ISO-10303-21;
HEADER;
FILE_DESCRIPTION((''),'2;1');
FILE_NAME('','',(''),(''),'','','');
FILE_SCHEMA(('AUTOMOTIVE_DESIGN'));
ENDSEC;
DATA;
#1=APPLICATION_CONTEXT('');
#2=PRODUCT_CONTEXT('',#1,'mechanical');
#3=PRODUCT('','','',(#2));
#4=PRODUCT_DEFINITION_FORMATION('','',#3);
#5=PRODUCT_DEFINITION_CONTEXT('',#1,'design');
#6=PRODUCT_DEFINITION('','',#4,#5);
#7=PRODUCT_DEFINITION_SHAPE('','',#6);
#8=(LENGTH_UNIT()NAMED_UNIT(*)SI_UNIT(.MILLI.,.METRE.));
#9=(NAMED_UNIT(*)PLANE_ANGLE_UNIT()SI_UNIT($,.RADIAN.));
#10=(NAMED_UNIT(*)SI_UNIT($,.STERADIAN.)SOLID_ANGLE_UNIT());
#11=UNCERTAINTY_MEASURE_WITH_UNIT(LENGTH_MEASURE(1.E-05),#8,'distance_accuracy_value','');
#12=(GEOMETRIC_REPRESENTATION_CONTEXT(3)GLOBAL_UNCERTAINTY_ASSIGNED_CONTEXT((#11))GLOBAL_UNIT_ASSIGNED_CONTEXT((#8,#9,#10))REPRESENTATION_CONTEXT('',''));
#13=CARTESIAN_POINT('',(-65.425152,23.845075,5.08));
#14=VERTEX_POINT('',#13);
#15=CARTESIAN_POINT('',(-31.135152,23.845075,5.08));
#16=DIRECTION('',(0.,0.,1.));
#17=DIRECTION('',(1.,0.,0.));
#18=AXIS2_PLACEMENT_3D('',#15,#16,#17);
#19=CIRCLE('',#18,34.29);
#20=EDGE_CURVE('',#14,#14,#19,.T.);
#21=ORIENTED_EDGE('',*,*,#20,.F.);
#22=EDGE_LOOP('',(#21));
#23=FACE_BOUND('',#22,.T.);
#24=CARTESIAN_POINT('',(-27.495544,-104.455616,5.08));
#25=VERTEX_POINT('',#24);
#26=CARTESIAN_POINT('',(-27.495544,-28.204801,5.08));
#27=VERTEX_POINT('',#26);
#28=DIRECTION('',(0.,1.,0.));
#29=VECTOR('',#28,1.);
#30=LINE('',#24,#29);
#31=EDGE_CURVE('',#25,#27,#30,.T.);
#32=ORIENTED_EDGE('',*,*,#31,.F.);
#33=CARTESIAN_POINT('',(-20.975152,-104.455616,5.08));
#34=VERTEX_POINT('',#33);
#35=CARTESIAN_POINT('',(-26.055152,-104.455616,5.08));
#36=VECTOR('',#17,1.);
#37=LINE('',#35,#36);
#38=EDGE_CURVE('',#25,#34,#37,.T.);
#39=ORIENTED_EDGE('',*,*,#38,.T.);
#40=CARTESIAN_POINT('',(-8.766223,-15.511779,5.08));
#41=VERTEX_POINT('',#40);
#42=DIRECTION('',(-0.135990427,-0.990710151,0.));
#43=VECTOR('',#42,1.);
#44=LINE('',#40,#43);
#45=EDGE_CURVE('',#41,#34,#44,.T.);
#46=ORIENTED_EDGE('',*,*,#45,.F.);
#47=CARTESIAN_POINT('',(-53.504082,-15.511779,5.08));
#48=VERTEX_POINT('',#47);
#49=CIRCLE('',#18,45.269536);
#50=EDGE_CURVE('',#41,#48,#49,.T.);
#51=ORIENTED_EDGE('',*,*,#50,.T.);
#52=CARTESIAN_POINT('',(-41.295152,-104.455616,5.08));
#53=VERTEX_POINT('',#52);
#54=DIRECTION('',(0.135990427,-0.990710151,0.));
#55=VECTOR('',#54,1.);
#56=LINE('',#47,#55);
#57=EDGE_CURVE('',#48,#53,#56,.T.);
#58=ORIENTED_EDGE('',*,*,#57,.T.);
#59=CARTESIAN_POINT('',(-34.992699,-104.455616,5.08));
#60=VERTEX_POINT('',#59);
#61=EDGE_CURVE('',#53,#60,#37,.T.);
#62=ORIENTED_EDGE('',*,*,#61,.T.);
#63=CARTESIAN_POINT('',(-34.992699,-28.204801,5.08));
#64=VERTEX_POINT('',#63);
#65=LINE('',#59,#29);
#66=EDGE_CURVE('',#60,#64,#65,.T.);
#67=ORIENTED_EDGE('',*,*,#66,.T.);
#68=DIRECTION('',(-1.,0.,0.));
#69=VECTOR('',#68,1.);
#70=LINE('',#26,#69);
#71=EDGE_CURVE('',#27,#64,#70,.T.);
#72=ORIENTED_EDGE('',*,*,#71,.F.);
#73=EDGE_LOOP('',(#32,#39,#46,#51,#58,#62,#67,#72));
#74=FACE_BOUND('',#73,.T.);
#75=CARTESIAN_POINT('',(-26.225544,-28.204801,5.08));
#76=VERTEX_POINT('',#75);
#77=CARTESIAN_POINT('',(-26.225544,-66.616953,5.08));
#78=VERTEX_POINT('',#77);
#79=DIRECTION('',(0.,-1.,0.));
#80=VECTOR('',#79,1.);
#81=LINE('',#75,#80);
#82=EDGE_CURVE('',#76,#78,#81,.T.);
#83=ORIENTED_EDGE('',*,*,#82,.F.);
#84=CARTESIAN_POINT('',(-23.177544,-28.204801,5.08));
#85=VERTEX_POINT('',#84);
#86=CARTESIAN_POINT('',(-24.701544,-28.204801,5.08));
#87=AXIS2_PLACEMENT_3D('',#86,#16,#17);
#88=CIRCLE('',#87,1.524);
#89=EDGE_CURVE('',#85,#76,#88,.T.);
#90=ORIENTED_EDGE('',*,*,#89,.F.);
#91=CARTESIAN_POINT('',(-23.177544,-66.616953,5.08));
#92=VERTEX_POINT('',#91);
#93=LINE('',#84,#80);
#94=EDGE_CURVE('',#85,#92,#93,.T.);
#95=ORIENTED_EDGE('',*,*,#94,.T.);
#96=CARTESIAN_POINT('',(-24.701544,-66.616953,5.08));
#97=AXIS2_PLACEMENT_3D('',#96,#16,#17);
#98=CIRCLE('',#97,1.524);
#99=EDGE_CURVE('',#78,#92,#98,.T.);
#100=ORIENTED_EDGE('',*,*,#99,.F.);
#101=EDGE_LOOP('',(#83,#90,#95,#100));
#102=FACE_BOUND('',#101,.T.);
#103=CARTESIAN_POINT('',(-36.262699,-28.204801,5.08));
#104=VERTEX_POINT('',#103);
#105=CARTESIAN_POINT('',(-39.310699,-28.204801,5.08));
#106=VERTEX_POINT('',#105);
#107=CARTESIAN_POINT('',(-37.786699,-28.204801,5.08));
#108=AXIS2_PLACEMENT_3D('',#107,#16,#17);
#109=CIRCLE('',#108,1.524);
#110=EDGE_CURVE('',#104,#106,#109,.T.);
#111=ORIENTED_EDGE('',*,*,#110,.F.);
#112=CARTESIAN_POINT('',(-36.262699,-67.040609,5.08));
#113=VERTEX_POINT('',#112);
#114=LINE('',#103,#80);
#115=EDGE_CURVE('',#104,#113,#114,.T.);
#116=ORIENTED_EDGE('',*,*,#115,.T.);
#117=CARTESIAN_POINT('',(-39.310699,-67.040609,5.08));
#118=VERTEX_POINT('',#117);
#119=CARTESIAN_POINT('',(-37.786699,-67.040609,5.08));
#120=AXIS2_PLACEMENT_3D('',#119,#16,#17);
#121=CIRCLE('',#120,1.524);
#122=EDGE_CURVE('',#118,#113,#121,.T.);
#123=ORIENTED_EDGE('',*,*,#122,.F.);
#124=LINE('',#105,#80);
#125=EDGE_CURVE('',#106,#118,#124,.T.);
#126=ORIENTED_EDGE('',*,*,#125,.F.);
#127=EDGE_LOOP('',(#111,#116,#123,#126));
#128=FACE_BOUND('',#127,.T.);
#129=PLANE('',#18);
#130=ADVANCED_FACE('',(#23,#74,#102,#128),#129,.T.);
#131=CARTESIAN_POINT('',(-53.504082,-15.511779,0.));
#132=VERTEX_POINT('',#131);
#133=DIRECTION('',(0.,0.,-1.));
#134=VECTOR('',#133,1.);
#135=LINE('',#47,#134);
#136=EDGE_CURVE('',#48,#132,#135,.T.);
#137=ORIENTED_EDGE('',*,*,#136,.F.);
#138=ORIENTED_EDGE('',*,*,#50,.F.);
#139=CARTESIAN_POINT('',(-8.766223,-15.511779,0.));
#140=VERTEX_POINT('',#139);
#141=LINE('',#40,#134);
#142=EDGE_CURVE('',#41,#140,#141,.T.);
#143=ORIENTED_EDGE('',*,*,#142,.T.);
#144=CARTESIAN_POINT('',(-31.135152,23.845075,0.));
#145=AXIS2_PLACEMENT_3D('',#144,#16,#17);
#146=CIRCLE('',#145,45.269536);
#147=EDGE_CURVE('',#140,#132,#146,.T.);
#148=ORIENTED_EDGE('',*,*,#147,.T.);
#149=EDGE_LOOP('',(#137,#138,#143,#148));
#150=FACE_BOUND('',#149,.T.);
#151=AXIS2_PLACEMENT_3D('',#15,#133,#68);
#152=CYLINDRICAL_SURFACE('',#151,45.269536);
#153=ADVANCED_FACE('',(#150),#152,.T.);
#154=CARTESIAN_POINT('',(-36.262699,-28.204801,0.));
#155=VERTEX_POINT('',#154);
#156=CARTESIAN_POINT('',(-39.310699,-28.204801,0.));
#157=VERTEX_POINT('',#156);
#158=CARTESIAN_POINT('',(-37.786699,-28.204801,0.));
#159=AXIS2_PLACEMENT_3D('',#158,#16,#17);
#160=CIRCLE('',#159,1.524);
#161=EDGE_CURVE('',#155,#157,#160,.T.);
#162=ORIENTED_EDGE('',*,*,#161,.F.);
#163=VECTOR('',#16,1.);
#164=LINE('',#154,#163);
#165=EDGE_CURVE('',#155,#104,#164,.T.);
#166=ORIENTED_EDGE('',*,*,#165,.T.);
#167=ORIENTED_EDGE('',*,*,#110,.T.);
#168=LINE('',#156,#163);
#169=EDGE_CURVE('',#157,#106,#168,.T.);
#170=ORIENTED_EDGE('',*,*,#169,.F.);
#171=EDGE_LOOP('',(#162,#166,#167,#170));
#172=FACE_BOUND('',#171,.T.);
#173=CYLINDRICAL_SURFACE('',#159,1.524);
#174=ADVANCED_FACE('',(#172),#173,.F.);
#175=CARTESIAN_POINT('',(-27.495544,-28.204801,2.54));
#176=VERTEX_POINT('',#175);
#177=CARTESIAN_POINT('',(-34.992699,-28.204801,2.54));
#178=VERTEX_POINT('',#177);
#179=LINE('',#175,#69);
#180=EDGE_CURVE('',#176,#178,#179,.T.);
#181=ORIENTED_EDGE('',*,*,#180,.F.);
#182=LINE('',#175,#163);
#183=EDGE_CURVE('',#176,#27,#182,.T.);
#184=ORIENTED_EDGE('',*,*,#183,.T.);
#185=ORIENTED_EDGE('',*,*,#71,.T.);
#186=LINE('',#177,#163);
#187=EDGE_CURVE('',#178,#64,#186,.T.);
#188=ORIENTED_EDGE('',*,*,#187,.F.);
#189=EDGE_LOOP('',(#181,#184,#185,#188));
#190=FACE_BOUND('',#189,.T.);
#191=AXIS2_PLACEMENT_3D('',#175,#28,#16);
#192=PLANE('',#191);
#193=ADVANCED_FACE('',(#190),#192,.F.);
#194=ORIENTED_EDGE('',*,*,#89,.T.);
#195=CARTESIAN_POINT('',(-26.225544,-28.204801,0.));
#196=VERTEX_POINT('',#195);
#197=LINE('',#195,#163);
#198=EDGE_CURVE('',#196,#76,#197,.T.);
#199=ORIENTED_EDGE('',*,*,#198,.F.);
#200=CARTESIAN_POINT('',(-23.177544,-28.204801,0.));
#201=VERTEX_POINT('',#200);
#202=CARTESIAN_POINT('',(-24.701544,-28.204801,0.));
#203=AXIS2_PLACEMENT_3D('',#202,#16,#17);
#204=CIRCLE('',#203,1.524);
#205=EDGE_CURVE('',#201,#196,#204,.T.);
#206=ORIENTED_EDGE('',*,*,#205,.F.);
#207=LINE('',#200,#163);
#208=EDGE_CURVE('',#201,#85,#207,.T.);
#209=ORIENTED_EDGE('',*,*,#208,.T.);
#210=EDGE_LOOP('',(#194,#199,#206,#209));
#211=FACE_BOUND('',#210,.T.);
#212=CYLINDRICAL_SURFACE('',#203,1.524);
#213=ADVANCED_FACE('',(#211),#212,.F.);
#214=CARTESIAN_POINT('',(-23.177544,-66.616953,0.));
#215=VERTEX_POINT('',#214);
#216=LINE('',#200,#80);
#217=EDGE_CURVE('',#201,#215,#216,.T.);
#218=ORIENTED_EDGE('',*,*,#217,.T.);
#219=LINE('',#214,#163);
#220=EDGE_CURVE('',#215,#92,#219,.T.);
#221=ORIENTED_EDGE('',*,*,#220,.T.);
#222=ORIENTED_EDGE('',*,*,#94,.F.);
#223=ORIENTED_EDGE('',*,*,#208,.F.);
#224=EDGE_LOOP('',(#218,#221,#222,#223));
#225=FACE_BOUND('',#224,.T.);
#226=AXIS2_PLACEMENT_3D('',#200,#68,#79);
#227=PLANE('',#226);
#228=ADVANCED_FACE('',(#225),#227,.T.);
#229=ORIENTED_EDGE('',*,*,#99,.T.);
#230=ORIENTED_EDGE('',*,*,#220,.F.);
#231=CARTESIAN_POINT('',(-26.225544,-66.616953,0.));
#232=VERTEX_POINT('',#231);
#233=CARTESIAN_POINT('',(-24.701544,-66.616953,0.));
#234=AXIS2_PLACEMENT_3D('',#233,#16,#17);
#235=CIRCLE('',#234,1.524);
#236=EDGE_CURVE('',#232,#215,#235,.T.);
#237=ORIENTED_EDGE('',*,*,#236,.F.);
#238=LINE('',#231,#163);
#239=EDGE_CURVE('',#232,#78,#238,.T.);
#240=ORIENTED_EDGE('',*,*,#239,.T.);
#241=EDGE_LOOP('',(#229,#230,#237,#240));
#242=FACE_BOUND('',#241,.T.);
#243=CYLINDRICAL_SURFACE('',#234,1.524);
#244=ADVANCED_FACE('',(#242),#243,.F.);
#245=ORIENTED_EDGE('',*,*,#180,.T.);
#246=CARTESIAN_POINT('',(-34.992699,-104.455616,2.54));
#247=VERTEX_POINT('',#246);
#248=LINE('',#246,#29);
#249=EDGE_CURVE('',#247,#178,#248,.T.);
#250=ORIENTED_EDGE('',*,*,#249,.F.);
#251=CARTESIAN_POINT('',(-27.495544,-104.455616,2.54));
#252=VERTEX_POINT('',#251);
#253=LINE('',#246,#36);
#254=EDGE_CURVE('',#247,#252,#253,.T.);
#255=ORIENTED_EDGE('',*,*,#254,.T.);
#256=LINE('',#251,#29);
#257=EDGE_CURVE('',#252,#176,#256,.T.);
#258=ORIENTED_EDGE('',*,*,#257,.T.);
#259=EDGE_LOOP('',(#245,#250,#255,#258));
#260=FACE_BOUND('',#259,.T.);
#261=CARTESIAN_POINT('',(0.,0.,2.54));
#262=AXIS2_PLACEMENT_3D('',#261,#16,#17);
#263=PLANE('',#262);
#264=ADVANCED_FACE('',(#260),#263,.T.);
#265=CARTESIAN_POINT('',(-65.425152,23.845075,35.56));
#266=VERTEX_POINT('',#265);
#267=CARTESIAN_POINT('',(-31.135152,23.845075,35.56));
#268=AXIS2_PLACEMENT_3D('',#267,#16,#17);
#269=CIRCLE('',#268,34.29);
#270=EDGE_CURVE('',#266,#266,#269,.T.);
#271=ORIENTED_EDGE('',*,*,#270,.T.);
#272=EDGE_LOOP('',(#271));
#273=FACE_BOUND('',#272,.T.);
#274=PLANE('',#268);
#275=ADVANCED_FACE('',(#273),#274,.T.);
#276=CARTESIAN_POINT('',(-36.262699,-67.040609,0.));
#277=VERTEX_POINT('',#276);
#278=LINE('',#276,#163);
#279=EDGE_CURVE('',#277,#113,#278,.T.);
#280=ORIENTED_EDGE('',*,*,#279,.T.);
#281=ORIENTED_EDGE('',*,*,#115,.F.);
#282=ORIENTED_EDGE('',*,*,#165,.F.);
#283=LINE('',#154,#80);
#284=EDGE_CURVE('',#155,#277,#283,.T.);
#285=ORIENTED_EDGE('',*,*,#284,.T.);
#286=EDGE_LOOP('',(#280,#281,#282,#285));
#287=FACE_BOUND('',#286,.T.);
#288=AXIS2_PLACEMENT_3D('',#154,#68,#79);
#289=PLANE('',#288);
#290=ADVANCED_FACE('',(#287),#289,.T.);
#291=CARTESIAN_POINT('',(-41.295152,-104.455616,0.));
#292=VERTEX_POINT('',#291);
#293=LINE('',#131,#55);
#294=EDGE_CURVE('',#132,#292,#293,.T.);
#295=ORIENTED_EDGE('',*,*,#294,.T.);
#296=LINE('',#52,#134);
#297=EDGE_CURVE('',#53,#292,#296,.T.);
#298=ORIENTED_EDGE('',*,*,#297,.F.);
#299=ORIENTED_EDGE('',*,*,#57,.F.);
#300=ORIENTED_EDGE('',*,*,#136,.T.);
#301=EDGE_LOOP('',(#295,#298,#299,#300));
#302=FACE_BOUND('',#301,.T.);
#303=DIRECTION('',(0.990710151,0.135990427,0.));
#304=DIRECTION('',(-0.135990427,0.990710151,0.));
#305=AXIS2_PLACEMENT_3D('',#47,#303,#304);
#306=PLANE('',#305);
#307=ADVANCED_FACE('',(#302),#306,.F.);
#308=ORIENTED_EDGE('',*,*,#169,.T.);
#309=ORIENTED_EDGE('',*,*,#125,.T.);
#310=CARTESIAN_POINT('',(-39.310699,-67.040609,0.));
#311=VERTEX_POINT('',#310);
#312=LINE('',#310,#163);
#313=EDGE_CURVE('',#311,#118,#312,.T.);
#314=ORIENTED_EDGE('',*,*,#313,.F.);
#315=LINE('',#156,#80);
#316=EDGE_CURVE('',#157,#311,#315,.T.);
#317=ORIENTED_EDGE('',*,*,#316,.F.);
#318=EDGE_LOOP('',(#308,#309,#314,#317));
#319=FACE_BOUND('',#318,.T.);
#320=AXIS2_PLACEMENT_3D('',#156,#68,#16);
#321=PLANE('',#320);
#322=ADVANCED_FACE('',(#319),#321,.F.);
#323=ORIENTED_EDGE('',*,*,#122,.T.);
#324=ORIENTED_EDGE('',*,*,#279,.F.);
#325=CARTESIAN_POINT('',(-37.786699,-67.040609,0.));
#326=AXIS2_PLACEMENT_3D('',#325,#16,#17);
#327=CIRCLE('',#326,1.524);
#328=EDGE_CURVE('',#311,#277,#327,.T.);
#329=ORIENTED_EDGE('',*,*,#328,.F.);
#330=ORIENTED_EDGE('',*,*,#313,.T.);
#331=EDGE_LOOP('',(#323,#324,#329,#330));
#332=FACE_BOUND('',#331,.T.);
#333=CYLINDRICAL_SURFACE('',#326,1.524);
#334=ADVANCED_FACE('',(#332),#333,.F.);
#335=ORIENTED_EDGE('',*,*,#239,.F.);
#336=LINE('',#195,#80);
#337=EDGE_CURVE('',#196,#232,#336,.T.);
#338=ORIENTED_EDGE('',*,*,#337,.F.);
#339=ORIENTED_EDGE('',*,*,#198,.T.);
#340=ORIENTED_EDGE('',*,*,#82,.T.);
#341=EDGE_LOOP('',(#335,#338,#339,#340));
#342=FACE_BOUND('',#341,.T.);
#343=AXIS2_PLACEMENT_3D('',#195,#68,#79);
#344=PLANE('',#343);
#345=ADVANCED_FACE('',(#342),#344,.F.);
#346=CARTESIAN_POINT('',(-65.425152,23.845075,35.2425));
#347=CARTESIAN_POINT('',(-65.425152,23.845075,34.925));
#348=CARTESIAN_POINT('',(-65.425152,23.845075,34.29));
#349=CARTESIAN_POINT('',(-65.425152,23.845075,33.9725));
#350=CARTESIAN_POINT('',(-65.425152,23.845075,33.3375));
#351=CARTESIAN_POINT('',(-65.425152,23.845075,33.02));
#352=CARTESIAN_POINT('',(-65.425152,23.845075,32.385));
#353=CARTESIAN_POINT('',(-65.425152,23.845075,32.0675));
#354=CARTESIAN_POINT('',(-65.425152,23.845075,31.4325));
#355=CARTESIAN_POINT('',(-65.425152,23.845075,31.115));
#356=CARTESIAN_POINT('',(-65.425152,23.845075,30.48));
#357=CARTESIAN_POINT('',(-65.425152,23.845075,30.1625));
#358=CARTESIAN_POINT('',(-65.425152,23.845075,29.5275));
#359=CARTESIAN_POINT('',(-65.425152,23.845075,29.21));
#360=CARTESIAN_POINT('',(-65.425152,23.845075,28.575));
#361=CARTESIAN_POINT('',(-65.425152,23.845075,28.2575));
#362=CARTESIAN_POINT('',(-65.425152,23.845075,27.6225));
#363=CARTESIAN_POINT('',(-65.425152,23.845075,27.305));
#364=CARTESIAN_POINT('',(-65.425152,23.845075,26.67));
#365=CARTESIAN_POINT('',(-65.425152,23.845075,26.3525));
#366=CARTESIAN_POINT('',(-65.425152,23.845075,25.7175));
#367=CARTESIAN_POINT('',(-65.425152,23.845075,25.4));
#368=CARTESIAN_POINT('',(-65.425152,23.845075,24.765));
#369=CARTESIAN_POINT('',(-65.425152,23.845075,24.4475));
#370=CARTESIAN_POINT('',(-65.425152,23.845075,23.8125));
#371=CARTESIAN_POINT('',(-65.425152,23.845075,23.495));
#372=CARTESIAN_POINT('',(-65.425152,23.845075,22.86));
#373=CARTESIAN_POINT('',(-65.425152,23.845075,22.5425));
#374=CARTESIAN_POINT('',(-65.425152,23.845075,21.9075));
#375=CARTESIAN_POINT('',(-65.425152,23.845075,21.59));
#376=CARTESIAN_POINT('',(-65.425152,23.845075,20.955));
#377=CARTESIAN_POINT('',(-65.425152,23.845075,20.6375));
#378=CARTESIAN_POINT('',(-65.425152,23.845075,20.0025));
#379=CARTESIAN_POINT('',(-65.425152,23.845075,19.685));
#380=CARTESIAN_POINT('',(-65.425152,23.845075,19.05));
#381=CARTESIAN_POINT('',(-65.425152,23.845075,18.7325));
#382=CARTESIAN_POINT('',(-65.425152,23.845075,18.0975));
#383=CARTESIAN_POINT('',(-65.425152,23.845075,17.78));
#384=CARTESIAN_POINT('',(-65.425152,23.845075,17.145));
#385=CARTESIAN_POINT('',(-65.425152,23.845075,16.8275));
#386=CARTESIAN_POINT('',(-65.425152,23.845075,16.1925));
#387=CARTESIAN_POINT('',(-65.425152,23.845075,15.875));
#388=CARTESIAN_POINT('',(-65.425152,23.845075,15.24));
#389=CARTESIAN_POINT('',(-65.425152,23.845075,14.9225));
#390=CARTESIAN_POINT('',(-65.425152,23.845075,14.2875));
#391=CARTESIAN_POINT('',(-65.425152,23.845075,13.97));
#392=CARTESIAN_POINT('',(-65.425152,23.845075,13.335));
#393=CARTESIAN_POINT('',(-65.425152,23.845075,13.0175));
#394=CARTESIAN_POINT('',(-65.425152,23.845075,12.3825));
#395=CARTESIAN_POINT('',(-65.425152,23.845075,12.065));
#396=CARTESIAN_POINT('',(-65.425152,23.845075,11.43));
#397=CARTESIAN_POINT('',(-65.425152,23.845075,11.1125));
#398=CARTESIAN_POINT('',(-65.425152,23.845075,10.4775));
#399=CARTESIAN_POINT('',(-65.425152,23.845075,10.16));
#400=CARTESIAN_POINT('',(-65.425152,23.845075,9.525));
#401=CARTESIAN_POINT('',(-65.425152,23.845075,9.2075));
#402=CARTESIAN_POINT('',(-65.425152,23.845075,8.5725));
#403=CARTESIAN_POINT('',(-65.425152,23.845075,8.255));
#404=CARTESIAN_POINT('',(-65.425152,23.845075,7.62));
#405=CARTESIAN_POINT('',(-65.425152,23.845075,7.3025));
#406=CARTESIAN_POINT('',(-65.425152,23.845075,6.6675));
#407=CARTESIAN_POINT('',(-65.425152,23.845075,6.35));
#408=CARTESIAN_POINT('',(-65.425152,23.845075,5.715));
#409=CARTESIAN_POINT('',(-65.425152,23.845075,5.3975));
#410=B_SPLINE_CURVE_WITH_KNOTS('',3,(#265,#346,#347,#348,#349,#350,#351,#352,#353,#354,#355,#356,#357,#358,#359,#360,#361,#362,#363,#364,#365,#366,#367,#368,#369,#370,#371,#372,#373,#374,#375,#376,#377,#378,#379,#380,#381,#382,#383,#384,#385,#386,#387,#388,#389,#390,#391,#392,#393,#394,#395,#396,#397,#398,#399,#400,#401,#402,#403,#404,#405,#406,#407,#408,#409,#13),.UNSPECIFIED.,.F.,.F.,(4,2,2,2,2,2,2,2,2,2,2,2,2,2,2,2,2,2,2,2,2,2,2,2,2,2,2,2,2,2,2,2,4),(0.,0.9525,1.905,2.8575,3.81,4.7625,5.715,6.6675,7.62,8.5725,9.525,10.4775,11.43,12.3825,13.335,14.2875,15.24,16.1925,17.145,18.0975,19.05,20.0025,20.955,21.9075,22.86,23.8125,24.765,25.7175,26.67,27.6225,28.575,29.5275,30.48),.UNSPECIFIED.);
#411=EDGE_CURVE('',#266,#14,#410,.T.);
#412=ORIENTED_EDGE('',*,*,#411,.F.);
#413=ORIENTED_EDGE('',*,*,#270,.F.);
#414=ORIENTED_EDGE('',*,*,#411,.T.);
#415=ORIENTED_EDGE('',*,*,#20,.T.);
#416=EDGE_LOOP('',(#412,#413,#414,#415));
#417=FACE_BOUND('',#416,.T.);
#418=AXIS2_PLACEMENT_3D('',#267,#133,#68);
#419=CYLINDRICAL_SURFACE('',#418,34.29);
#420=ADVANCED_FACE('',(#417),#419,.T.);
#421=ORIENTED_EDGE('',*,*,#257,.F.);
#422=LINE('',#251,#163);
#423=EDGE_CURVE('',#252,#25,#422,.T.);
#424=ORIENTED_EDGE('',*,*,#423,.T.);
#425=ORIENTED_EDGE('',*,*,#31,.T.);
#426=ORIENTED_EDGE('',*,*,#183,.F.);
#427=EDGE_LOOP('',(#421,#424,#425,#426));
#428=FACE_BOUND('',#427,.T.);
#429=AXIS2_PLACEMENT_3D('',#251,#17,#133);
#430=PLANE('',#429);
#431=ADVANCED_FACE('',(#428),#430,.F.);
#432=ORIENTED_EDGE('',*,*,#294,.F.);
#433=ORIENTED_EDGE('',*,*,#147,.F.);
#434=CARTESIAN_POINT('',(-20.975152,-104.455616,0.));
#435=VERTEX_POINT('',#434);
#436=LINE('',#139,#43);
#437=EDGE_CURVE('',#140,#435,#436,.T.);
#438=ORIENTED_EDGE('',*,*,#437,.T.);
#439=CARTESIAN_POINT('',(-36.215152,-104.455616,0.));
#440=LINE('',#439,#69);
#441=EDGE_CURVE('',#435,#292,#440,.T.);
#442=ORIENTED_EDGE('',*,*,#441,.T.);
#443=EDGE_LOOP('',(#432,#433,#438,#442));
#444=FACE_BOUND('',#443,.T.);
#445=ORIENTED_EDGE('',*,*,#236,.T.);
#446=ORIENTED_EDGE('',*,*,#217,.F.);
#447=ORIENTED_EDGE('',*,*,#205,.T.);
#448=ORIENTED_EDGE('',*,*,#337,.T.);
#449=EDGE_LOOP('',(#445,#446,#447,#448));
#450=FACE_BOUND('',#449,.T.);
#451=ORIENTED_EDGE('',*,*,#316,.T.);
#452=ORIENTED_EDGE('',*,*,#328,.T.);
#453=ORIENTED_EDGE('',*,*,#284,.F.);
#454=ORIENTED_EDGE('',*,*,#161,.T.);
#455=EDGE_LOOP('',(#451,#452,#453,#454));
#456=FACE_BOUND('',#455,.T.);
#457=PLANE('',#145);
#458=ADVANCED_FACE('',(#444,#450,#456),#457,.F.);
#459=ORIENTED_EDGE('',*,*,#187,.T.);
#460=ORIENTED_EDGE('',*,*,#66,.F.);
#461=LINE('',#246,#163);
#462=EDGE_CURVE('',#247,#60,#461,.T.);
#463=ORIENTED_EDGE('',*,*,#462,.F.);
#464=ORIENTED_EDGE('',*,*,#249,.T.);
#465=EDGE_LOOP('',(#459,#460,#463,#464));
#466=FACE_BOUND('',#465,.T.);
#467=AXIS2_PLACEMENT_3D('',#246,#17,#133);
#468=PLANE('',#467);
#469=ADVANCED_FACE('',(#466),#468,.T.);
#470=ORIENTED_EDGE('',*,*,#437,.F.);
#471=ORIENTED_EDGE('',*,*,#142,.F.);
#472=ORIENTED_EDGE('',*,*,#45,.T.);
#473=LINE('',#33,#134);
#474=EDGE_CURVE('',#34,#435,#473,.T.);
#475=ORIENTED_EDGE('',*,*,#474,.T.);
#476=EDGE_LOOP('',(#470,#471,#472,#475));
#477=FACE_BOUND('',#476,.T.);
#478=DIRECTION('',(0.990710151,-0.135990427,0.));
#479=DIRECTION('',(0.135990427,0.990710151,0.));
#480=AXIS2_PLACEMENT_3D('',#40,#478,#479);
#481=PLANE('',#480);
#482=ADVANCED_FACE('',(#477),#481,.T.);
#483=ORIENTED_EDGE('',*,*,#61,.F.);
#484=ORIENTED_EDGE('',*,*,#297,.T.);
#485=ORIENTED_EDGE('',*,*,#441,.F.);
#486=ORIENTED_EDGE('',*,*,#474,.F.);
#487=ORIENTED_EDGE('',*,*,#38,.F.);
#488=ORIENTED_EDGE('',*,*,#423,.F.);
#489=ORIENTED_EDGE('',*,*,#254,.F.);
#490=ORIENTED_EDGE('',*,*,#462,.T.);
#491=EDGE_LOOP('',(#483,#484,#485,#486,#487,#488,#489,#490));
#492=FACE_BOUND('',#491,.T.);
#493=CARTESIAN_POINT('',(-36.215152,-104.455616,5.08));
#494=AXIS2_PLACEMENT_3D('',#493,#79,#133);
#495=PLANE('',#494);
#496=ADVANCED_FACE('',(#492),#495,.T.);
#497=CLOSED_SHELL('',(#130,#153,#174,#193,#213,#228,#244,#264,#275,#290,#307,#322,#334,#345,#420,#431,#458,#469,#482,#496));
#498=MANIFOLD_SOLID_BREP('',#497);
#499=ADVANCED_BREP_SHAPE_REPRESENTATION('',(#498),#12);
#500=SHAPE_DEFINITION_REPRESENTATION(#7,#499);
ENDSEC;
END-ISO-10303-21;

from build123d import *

# Parameters (mm, degrees)
BOSS_EXTRUDE1_DEPTH = 5.08
SKETCH4_W           = 7.497155508
SKETCH4_H           = 76.250815091
CUT_EXTRUDE3_DEPTH  = 2.54
CUT_EXTRUDE4_DEPTH  = 5.08
SKETCH11_R          = 34.29
BOSS_EXTRUDE3_DEPTH = 30.48


with BuildPart() as part:
    # Sketch1 → Boss-Extrude1 (new body)
    with BuildSketch(Plane.XY):
        with BuildLine():
            Line((-26.055152411, -104.455615698), (-36.215152411, -104.455615698))
            Line((-36.215152411, -104.455615698), (-41.295152411, -104.455615698))
            Line((-41.295152411, -104.455615698), (-53.504081842, -15.511778924))
            ThreePointArc((-53.504081842, -15.511778924), (-31.135152411, 69.114610814), (-8.76622298, -15.511778924))
            Line((-8.76622298, -15.511778924), (-20.975152411, -104.455615698))
            Line((-20.975152411, -104.455615698), (-26.055152411, -104.455615698))
        make_face()
    extrude(amount=BOSS_EXTRUDE1_DEPTH)

    # Sketch4 → Cut-Extrude3 (cut)
    with BuildSketch(Plane.XY.offset(5.08)):
        with Locations((-31.244121472, -66.330208153)):
            Rectangle(SKETCH4_W, SKETCH4_H)
    extrude(amount=-CUT_EXTRUDE3_DEPTH, mode=Mode.SUBTRACT)

    # Sketch5 → Cut-Extrude4 (cut)
    with BuildSketch(Plane.XY.offset(5.08)):
        with BuildLine():
            Line((-36.262699226, -28.204800607), (-36.262699226, -67.040609222))
            ThreePointArc((-36.262699226, -67.040609222), (-37.786699226, -68.564609222), (-39.310699226, -67.040609222))
            Line((-39.310699226, -67.040609222), (-39.310699226, -28.204800607))
            ThreePointArc((-39.310699226, -28.204800607), (-37.786699226, -26.680800607), (-36.262699226, -28.204800607))
        make_face()
        with BuildLine():
            Line((-23.177543718, -28.204800607), (-23.177543718, -66.616952793))
            ThreePointArc((-23.177543718, -66.616952793), (-24.701543718, -68.140952793), (-26.225543718, -66.616952793))
            Line((-26.225543718, -66.616952793), (-26.225543718, -28.204800607))
            ThreePointArc((-26.225543718, -28.204800607), (-24.701543718, -26.680800607), (-23.177543718, -28.204800607))
        make_face()
    extrude(amount=-CUT_EXTRUDE4_DEPTH, mode=Mode.SUBTRACT)

    # Sketch11 → Boss-Extrude3 (add)
    with BuildSketch(Plane.XY.offset(5.08)):
        with Locations(Location((-31.135152411, 23.845074516, 0), (0, 0, 180))):
            Circle(SKETCH11_R)
    extrude(amount=BOSS_EXTRUDE3_DEPTH)


solid = part.part
